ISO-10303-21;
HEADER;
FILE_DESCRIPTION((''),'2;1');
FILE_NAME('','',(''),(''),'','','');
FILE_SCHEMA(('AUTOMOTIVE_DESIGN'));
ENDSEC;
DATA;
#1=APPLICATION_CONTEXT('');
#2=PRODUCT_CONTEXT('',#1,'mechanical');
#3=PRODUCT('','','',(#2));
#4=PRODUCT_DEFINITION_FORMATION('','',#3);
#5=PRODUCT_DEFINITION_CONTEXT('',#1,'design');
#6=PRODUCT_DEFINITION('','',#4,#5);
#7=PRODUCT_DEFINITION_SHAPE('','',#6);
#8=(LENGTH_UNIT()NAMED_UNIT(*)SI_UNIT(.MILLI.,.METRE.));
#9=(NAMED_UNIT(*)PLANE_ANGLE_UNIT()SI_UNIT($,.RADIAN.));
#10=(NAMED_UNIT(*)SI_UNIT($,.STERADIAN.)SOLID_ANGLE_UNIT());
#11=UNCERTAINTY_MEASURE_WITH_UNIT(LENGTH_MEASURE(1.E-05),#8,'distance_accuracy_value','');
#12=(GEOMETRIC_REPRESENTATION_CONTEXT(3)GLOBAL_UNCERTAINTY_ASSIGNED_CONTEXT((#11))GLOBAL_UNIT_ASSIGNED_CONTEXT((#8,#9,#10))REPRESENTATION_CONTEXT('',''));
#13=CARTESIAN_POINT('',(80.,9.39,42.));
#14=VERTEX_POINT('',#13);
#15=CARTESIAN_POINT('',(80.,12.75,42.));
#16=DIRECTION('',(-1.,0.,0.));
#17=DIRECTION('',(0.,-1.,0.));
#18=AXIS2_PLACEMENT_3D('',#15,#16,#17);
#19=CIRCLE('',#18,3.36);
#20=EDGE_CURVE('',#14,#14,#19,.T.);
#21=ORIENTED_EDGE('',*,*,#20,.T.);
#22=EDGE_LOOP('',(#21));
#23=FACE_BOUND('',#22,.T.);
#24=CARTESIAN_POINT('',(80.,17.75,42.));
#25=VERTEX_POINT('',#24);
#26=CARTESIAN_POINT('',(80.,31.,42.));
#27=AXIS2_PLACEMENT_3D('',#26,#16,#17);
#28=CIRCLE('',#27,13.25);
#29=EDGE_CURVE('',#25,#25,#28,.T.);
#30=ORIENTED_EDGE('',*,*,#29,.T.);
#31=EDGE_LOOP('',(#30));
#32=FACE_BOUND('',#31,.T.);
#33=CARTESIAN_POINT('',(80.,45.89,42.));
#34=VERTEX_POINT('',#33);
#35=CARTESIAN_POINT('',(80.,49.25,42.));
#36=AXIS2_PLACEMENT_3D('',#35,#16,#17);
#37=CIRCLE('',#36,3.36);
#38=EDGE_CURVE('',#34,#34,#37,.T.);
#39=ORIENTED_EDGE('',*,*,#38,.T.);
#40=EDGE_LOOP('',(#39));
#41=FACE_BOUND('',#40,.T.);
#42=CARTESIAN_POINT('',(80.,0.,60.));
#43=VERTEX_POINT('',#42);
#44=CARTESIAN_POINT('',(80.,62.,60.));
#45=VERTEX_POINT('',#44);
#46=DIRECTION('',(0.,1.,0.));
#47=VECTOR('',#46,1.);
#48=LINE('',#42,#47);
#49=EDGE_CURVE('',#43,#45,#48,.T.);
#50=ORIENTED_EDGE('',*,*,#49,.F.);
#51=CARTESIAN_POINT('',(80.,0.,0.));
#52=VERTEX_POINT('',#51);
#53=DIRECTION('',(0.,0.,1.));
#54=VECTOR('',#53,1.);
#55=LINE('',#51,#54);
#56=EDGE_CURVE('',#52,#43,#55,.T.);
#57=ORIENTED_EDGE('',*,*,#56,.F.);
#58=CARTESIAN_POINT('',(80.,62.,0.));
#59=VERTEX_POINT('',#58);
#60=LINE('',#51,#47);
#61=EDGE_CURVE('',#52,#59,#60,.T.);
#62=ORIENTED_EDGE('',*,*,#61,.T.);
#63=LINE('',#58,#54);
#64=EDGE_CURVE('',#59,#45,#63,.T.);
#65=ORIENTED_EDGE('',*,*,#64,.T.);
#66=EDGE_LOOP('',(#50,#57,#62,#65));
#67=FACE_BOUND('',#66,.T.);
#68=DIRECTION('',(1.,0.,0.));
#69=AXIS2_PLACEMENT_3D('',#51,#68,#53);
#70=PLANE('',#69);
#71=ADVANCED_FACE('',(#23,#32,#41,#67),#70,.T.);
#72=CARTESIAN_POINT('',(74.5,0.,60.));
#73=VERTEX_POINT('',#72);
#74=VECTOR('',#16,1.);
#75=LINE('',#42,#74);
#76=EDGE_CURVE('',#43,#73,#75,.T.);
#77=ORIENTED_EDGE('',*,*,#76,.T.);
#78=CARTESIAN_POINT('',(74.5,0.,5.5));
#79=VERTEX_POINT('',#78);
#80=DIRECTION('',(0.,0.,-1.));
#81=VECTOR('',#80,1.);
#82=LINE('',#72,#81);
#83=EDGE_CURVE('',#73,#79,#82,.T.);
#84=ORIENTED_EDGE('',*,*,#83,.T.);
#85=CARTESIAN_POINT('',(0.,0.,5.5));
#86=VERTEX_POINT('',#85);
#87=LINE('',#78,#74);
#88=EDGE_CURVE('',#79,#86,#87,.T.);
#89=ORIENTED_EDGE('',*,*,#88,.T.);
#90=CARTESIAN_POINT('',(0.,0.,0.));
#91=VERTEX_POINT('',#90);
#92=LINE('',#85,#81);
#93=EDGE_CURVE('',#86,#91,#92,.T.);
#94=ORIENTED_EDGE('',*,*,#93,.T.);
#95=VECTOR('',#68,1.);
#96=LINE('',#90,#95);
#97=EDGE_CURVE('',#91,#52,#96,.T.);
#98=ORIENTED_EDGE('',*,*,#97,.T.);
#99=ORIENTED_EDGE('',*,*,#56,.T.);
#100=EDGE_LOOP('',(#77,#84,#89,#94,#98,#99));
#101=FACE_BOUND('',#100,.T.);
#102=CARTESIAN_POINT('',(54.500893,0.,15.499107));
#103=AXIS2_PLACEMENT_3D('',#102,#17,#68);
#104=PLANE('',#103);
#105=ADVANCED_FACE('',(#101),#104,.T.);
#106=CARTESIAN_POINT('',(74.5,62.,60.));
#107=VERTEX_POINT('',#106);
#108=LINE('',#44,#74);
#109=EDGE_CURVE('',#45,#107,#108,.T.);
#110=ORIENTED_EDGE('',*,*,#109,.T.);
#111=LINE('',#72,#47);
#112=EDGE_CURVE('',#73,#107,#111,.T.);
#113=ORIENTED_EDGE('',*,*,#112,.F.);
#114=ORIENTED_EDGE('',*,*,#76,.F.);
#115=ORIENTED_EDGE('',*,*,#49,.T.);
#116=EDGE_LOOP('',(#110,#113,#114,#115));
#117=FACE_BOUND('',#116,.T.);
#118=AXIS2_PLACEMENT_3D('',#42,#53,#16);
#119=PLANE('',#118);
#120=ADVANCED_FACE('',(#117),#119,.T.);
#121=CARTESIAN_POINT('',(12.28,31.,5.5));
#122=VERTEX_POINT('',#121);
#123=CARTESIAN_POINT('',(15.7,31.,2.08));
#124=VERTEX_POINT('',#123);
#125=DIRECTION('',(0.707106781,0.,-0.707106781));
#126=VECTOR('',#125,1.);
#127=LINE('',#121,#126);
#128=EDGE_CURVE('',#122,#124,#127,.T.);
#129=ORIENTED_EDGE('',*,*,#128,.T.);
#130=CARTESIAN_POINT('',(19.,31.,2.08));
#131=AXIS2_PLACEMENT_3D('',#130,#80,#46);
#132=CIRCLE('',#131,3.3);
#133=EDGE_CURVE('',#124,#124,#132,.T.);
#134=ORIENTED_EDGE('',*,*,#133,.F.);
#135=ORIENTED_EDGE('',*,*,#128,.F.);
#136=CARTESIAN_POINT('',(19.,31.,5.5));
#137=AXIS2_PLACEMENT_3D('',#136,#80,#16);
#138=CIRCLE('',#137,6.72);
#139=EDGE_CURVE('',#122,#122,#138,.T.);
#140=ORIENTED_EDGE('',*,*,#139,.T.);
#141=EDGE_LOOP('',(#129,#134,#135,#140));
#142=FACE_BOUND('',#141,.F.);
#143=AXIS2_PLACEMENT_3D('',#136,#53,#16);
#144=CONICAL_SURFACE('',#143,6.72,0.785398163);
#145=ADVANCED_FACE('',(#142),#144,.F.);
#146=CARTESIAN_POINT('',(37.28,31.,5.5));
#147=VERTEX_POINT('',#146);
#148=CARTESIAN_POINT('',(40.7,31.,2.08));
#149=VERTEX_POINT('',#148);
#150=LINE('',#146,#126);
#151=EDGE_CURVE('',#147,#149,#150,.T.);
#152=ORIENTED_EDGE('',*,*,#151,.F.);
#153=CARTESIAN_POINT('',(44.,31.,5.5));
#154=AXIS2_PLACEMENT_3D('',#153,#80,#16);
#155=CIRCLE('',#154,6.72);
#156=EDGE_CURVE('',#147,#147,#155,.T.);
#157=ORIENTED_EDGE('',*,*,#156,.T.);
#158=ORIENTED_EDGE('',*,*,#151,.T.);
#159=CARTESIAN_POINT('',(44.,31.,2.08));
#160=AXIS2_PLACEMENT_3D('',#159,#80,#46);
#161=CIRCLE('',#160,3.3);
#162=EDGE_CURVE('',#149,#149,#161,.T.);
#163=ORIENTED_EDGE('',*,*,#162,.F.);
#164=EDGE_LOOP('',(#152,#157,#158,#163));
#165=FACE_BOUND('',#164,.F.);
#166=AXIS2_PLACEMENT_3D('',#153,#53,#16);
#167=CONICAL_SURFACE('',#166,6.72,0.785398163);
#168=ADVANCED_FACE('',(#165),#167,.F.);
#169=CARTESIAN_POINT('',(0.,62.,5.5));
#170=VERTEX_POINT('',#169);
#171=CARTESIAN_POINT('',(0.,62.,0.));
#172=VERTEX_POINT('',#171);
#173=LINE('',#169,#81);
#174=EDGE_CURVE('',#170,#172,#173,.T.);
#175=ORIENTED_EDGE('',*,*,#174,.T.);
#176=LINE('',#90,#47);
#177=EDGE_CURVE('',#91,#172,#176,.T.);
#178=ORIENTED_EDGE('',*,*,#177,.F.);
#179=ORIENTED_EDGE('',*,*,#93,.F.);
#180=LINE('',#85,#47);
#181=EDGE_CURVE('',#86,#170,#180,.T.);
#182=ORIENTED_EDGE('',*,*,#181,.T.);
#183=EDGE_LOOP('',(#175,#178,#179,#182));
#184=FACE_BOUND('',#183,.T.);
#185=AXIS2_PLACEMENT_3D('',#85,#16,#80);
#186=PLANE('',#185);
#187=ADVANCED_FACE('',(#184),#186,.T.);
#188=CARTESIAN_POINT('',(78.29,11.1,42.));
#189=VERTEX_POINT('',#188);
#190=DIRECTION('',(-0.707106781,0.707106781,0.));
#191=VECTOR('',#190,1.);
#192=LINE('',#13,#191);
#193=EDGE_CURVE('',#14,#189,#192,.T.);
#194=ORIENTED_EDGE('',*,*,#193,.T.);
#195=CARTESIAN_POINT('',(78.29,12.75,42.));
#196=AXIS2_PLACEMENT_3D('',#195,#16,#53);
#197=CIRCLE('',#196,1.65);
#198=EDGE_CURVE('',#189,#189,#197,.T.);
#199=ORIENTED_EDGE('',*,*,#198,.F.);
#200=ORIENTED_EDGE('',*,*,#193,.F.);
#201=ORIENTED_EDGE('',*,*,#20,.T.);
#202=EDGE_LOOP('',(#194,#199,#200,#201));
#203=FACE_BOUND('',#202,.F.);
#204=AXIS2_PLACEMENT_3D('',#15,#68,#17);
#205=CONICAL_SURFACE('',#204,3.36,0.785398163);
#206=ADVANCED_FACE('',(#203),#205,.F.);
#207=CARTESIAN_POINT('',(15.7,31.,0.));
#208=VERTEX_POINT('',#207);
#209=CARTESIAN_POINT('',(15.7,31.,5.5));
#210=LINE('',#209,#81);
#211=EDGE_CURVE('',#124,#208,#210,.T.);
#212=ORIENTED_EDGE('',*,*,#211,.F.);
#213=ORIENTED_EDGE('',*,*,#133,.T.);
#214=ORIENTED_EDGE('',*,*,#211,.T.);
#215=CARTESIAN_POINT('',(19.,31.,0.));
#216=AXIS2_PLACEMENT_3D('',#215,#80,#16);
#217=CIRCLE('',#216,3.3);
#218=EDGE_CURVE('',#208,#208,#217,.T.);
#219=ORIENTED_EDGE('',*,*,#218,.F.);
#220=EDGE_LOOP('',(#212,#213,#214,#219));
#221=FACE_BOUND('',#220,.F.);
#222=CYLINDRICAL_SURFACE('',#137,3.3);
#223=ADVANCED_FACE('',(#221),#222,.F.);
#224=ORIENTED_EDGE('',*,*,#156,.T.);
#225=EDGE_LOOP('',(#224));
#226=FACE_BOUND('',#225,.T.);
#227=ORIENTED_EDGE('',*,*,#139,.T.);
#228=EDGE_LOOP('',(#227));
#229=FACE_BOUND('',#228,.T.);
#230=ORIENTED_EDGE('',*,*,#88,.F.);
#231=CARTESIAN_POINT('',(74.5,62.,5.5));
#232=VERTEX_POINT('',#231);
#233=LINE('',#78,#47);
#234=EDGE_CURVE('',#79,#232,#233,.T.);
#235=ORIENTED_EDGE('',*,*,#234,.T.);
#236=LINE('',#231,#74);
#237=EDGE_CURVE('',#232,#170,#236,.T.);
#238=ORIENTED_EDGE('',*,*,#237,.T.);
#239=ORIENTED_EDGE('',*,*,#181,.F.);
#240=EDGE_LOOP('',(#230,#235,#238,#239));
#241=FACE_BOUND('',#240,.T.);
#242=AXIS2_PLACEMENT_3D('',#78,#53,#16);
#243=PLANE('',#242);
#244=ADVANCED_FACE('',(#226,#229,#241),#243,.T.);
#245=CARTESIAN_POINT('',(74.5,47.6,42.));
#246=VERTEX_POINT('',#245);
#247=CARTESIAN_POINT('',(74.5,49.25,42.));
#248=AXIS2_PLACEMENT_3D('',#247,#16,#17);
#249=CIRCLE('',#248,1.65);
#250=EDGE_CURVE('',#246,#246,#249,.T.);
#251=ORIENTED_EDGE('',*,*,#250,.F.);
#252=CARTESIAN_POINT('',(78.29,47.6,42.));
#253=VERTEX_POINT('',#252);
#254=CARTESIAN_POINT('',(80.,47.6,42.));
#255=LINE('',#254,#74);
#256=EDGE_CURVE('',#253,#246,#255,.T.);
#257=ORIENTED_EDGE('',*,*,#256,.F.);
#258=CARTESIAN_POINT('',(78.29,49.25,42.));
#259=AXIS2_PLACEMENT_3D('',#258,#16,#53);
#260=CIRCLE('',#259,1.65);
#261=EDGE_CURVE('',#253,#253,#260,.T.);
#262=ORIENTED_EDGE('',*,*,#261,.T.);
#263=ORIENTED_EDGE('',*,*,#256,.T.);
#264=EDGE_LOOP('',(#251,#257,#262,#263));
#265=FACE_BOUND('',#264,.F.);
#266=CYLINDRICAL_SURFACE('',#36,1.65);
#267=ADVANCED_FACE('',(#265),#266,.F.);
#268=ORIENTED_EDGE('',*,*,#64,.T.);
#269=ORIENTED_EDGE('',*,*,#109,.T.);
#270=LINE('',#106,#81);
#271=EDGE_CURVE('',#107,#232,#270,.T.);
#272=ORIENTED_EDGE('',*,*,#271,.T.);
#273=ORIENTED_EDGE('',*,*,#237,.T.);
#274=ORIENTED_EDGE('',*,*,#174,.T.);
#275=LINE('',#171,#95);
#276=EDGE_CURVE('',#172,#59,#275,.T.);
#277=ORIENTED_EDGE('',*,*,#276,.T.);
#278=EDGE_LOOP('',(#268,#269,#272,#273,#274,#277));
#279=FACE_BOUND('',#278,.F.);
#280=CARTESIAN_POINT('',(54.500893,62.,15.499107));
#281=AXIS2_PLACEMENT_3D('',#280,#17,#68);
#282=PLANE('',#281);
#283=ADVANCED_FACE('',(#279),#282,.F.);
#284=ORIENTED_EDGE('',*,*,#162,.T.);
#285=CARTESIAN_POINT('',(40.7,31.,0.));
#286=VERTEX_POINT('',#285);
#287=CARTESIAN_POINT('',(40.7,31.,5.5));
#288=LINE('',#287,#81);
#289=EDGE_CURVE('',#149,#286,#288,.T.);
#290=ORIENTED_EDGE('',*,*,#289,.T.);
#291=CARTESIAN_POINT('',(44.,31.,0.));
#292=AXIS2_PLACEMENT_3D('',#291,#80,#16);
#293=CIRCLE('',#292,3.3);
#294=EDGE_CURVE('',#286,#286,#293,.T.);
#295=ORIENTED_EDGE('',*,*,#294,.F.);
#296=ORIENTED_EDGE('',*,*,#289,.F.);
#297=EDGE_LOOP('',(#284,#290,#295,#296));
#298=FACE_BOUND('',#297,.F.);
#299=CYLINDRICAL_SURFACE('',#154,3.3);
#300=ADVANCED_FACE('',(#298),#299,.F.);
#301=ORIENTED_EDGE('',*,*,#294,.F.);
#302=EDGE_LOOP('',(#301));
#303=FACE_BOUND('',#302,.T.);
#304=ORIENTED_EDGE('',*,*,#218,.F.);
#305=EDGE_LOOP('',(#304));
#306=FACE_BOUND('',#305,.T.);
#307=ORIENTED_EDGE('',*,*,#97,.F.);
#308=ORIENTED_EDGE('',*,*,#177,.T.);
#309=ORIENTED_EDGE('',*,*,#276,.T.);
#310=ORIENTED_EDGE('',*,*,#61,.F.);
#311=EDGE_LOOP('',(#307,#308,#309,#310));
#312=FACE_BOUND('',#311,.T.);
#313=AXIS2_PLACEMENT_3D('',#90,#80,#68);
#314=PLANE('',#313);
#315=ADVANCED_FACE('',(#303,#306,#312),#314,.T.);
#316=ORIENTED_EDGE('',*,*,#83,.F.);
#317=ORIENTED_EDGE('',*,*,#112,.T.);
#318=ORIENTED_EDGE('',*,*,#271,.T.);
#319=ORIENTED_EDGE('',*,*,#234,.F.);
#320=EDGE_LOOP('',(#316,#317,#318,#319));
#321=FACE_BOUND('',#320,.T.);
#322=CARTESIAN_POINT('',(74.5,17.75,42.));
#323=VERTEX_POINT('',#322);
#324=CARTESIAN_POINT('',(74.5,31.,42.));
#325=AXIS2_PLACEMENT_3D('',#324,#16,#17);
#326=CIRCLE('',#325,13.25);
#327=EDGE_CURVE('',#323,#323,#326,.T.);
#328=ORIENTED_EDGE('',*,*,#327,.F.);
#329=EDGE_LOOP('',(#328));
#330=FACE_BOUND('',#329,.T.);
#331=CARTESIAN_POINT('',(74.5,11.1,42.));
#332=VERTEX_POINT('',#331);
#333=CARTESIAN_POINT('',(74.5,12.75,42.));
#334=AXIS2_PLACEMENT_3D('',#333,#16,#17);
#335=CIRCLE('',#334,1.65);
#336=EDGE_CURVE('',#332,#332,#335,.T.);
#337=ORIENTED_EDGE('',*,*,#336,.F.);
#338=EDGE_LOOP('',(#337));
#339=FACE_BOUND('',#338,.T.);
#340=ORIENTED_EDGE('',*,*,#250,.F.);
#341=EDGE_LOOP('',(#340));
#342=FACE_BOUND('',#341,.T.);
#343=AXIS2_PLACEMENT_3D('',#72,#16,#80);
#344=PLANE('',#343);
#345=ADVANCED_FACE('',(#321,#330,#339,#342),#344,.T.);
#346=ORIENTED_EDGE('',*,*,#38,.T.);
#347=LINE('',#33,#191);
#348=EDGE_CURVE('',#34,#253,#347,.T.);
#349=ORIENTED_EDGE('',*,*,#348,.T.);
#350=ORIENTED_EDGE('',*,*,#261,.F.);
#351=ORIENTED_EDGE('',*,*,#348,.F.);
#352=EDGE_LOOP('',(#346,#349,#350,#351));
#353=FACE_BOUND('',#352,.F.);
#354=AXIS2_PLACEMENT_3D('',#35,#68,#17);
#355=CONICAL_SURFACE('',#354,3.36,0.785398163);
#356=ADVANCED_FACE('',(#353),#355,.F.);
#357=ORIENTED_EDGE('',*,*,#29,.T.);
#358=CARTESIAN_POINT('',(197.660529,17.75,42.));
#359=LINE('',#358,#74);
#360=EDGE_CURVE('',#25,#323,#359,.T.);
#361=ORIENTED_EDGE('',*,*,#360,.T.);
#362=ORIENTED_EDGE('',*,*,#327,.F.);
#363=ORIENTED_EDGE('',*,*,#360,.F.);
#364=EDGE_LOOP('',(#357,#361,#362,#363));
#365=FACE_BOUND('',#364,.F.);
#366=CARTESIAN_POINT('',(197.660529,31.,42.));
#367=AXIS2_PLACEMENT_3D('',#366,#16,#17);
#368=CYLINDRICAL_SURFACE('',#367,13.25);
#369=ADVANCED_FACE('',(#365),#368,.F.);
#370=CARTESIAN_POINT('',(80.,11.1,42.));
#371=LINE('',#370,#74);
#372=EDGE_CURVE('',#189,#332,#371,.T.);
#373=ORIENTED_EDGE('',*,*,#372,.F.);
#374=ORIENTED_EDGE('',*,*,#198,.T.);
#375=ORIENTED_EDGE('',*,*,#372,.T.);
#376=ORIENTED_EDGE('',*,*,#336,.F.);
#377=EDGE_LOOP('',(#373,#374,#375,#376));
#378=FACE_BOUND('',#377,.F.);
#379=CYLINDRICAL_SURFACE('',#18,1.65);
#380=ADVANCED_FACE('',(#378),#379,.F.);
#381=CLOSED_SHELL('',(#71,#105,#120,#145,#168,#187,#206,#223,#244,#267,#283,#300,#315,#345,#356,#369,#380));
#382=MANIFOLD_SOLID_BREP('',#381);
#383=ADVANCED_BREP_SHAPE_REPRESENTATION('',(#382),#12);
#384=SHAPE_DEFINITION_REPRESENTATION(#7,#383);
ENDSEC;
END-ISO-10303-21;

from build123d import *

# Parameters (mm, degrees)
F1_DEPTH       = 62
F3_D           = 26.5
F5_D           = 3.3
F5_CSINK_D     = 6.72
F5_CSINK_ANGLE = 90
F7_D           = 6.6
F7_CSINK_D     = 13.44
F7_CSINK_ANGLE = 90


with BuildPart() as f1:
    # F0 (on Front) → F1 (new body)
    with BuildSketch(Plane.XZ):
        Polygon((0, 5.5), (0, 0), (80, 0), (80, 60), (74.5, 60), (74.5, 5.5), align=None)
    extrude(amount=-F1_DEPTH)

    # F3 (through all)
    with Locations(Plane.YZ.offset(80)):
        with Locations((31, 42)):
            Hole(F3_D / 2)

    # F5 (through all)
    with Locations(Plane.YZ.offset(80)):
        with Locations((12.75, 42), (49.25, 42)):
            CounterSinkHole(F5_D / 2, F5_CSINK_D / 2, counter_sink_angle=F5_CSINK_ANGLE)

    # F7 (through all)
    with Locations(Plane.XY.offset(5.5)):
        with Locations((19, 31), (44, 31)):
            CounterSinkHole(F7_D / 2, F7_CSINK_D / 2, counter_sink_angle=F7_CSINK_ANGLE)


solid = f1.part
